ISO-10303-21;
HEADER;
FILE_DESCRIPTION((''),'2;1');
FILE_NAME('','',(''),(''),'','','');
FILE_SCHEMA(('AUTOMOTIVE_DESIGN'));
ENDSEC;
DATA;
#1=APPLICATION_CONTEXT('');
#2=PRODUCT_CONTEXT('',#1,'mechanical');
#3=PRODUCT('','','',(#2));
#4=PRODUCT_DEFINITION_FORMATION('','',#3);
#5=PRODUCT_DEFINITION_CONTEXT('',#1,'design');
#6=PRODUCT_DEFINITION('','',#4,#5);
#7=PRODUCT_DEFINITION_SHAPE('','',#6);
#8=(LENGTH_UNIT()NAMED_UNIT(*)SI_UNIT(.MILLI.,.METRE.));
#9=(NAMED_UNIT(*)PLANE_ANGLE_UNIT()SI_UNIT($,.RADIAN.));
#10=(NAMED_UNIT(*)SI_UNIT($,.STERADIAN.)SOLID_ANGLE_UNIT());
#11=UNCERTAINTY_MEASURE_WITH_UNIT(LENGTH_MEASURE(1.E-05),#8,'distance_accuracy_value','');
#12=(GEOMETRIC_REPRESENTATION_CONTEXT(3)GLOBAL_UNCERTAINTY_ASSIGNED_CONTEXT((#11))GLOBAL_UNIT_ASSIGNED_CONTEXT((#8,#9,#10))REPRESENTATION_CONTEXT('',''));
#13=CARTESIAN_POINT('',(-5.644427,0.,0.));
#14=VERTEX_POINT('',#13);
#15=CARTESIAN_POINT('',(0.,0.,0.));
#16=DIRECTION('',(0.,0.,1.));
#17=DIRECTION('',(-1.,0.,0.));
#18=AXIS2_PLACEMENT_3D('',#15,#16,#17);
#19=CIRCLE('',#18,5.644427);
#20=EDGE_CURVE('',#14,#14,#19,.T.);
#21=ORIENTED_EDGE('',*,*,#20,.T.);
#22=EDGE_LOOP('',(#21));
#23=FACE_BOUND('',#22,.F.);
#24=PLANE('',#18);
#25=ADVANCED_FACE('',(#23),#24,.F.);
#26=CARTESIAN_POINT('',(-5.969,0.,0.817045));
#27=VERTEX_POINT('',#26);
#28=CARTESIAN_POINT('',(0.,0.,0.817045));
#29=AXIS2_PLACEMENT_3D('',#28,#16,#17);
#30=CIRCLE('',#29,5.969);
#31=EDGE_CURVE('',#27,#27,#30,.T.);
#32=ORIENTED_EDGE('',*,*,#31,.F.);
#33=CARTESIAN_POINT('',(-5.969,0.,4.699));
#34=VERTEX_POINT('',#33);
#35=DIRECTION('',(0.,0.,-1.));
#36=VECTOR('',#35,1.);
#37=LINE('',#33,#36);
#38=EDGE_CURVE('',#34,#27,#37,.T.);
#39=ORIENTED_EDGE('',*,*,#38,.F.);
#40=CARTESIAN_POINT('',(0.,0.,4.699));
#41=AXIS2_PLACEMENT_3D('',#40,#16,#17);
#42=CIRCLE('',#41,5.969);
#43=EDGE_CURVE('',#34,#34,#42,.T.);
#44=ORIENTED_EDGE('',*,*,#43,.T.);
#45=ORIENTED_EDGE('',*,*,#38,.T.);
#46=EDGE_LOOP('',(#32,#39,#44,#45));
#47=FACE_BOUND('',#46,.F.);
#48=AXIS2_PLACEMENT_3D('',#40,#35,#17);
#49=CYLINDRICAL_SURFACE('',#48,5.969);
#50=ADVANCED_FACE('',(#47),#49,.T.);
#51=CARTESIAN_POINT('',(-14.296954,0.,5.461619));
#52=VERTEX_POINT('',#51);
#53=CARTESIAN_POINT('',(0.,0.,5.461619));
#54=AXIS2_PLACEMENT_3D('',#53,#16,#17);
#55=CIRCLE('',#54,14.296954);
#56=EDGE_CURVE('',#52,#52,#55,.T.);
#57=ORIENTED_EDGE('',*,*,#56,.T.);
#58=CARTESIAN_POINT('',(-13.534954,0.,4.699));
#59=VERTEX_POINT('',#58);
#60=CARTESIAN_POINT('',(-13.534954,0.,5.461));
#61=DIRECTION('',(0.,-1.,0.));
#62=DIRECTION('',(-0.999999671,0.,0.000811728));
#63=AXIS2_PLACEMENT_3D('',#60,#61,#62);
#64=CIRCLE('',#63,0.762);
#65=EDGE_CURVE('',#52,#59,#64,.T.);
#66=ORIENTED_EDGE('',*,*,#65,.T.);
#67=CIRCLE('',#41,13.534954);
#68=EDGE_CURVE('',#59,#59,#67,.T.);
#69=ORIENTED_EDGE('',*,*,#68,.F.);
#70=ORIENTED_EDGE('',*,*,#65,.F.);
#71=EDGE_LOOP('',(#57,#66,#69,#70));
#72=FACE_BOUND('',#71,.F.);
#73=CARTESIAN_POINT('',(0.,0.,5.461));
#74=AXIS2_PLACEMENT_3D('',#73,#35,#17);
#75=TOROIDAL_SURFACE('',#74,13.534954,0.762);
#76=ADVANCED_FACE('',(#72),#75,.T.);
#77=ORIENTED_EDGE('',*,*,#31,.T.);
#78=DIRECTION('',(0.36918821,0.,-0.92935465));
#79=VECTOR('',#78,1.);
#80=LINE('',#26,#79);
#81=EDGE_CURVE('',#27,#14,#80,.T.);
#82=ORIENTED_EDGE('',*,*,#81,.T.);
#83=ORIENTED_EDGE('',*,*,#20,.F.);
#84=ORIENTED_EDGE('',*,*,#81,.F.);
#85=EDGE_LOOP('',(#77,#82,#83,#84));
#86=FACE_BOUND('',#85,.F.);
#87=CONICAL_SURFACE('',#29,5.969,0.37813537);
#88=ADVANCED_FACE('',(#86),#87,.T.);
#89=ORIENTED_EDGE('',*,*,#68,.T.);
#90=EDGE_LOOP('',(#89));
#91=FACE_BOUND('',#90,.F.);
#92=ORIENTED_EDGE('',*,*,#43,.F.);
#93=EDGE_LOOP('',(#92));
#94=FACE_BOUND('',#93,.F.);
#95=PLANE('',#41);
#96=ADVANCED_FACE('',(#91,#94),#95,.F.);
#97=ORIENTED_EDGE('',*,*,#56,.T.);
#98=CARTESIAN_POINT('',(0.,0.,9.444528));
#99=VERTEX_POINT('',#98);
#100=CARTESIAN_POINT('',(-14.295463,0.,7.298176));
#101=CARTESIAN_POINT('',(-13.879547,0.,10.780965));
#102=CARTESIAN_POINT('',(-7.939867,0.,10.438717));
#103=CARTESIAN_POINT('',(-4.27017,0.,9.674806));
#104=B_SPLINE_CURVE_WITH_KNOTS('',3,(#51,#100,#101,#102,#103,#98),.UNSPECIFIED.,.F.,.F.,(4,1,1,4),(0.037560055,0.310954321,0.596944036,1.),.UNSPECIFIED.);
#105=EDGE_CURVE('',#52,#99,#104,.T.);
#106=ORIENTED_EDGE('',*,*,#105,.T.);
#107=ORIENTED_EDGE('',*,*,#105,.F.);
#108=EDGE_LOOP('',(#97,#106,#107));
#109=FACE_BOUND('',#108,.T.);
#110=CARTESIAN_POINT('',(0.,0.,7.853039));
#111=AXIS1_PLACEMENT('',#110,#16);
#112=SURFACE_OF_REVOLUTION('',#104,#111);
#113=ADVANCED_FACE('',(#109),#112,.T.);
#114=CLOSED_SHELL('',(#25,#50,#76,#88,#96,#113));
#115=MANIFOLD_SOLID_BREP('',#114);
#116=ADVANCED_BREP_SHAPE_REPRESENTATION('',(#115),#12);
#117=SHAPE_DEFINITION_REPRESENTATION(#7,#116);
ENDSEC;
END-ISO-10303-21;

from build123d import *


with BuildPart() as f1:
    # F0 (on Front) → F1 (revolve)
    with BuildSketch(Plane.XZ):
        with BuildLine():
            Line((-5.6444271468, 0), (0, 0))
            Line((0, 0), (0, 9.4445282593))
            add(Edge.make_bspline(
                [(-14.2969538472, 5.4616185367), (-14.2954630619, 7.2981758143), (-13.8795465315, 10.7809654288), (-7.9398666555, 10.438717467), (-4.2701704463, 9.6748061831), (0, 9.4445282593)],
                knots=[0.0375600553, 0.0375600553, 0.0375600553, 0.0375600553, 0.310954321, 0.5969440357, 1, 1, 1, 1], degree=3))
            ThreePointArc((-14.2969538472, 5.4616185367), (-14.0739881069, 4.9224033629), (-13.5349540983, 4.699))
            Line((-13.5349540983, 4.699), (-5.969, 4.699))
            Line((-5.969, 4.699), (-5.969, 0.8170447545))
            Line((-5.969, 0.8170447545), (-5.6444271468, 0))
        make_face()
    revolve(axis=Axis((0, 0, 7.853038609), (0, 0, 1)))


solid = f1.part
